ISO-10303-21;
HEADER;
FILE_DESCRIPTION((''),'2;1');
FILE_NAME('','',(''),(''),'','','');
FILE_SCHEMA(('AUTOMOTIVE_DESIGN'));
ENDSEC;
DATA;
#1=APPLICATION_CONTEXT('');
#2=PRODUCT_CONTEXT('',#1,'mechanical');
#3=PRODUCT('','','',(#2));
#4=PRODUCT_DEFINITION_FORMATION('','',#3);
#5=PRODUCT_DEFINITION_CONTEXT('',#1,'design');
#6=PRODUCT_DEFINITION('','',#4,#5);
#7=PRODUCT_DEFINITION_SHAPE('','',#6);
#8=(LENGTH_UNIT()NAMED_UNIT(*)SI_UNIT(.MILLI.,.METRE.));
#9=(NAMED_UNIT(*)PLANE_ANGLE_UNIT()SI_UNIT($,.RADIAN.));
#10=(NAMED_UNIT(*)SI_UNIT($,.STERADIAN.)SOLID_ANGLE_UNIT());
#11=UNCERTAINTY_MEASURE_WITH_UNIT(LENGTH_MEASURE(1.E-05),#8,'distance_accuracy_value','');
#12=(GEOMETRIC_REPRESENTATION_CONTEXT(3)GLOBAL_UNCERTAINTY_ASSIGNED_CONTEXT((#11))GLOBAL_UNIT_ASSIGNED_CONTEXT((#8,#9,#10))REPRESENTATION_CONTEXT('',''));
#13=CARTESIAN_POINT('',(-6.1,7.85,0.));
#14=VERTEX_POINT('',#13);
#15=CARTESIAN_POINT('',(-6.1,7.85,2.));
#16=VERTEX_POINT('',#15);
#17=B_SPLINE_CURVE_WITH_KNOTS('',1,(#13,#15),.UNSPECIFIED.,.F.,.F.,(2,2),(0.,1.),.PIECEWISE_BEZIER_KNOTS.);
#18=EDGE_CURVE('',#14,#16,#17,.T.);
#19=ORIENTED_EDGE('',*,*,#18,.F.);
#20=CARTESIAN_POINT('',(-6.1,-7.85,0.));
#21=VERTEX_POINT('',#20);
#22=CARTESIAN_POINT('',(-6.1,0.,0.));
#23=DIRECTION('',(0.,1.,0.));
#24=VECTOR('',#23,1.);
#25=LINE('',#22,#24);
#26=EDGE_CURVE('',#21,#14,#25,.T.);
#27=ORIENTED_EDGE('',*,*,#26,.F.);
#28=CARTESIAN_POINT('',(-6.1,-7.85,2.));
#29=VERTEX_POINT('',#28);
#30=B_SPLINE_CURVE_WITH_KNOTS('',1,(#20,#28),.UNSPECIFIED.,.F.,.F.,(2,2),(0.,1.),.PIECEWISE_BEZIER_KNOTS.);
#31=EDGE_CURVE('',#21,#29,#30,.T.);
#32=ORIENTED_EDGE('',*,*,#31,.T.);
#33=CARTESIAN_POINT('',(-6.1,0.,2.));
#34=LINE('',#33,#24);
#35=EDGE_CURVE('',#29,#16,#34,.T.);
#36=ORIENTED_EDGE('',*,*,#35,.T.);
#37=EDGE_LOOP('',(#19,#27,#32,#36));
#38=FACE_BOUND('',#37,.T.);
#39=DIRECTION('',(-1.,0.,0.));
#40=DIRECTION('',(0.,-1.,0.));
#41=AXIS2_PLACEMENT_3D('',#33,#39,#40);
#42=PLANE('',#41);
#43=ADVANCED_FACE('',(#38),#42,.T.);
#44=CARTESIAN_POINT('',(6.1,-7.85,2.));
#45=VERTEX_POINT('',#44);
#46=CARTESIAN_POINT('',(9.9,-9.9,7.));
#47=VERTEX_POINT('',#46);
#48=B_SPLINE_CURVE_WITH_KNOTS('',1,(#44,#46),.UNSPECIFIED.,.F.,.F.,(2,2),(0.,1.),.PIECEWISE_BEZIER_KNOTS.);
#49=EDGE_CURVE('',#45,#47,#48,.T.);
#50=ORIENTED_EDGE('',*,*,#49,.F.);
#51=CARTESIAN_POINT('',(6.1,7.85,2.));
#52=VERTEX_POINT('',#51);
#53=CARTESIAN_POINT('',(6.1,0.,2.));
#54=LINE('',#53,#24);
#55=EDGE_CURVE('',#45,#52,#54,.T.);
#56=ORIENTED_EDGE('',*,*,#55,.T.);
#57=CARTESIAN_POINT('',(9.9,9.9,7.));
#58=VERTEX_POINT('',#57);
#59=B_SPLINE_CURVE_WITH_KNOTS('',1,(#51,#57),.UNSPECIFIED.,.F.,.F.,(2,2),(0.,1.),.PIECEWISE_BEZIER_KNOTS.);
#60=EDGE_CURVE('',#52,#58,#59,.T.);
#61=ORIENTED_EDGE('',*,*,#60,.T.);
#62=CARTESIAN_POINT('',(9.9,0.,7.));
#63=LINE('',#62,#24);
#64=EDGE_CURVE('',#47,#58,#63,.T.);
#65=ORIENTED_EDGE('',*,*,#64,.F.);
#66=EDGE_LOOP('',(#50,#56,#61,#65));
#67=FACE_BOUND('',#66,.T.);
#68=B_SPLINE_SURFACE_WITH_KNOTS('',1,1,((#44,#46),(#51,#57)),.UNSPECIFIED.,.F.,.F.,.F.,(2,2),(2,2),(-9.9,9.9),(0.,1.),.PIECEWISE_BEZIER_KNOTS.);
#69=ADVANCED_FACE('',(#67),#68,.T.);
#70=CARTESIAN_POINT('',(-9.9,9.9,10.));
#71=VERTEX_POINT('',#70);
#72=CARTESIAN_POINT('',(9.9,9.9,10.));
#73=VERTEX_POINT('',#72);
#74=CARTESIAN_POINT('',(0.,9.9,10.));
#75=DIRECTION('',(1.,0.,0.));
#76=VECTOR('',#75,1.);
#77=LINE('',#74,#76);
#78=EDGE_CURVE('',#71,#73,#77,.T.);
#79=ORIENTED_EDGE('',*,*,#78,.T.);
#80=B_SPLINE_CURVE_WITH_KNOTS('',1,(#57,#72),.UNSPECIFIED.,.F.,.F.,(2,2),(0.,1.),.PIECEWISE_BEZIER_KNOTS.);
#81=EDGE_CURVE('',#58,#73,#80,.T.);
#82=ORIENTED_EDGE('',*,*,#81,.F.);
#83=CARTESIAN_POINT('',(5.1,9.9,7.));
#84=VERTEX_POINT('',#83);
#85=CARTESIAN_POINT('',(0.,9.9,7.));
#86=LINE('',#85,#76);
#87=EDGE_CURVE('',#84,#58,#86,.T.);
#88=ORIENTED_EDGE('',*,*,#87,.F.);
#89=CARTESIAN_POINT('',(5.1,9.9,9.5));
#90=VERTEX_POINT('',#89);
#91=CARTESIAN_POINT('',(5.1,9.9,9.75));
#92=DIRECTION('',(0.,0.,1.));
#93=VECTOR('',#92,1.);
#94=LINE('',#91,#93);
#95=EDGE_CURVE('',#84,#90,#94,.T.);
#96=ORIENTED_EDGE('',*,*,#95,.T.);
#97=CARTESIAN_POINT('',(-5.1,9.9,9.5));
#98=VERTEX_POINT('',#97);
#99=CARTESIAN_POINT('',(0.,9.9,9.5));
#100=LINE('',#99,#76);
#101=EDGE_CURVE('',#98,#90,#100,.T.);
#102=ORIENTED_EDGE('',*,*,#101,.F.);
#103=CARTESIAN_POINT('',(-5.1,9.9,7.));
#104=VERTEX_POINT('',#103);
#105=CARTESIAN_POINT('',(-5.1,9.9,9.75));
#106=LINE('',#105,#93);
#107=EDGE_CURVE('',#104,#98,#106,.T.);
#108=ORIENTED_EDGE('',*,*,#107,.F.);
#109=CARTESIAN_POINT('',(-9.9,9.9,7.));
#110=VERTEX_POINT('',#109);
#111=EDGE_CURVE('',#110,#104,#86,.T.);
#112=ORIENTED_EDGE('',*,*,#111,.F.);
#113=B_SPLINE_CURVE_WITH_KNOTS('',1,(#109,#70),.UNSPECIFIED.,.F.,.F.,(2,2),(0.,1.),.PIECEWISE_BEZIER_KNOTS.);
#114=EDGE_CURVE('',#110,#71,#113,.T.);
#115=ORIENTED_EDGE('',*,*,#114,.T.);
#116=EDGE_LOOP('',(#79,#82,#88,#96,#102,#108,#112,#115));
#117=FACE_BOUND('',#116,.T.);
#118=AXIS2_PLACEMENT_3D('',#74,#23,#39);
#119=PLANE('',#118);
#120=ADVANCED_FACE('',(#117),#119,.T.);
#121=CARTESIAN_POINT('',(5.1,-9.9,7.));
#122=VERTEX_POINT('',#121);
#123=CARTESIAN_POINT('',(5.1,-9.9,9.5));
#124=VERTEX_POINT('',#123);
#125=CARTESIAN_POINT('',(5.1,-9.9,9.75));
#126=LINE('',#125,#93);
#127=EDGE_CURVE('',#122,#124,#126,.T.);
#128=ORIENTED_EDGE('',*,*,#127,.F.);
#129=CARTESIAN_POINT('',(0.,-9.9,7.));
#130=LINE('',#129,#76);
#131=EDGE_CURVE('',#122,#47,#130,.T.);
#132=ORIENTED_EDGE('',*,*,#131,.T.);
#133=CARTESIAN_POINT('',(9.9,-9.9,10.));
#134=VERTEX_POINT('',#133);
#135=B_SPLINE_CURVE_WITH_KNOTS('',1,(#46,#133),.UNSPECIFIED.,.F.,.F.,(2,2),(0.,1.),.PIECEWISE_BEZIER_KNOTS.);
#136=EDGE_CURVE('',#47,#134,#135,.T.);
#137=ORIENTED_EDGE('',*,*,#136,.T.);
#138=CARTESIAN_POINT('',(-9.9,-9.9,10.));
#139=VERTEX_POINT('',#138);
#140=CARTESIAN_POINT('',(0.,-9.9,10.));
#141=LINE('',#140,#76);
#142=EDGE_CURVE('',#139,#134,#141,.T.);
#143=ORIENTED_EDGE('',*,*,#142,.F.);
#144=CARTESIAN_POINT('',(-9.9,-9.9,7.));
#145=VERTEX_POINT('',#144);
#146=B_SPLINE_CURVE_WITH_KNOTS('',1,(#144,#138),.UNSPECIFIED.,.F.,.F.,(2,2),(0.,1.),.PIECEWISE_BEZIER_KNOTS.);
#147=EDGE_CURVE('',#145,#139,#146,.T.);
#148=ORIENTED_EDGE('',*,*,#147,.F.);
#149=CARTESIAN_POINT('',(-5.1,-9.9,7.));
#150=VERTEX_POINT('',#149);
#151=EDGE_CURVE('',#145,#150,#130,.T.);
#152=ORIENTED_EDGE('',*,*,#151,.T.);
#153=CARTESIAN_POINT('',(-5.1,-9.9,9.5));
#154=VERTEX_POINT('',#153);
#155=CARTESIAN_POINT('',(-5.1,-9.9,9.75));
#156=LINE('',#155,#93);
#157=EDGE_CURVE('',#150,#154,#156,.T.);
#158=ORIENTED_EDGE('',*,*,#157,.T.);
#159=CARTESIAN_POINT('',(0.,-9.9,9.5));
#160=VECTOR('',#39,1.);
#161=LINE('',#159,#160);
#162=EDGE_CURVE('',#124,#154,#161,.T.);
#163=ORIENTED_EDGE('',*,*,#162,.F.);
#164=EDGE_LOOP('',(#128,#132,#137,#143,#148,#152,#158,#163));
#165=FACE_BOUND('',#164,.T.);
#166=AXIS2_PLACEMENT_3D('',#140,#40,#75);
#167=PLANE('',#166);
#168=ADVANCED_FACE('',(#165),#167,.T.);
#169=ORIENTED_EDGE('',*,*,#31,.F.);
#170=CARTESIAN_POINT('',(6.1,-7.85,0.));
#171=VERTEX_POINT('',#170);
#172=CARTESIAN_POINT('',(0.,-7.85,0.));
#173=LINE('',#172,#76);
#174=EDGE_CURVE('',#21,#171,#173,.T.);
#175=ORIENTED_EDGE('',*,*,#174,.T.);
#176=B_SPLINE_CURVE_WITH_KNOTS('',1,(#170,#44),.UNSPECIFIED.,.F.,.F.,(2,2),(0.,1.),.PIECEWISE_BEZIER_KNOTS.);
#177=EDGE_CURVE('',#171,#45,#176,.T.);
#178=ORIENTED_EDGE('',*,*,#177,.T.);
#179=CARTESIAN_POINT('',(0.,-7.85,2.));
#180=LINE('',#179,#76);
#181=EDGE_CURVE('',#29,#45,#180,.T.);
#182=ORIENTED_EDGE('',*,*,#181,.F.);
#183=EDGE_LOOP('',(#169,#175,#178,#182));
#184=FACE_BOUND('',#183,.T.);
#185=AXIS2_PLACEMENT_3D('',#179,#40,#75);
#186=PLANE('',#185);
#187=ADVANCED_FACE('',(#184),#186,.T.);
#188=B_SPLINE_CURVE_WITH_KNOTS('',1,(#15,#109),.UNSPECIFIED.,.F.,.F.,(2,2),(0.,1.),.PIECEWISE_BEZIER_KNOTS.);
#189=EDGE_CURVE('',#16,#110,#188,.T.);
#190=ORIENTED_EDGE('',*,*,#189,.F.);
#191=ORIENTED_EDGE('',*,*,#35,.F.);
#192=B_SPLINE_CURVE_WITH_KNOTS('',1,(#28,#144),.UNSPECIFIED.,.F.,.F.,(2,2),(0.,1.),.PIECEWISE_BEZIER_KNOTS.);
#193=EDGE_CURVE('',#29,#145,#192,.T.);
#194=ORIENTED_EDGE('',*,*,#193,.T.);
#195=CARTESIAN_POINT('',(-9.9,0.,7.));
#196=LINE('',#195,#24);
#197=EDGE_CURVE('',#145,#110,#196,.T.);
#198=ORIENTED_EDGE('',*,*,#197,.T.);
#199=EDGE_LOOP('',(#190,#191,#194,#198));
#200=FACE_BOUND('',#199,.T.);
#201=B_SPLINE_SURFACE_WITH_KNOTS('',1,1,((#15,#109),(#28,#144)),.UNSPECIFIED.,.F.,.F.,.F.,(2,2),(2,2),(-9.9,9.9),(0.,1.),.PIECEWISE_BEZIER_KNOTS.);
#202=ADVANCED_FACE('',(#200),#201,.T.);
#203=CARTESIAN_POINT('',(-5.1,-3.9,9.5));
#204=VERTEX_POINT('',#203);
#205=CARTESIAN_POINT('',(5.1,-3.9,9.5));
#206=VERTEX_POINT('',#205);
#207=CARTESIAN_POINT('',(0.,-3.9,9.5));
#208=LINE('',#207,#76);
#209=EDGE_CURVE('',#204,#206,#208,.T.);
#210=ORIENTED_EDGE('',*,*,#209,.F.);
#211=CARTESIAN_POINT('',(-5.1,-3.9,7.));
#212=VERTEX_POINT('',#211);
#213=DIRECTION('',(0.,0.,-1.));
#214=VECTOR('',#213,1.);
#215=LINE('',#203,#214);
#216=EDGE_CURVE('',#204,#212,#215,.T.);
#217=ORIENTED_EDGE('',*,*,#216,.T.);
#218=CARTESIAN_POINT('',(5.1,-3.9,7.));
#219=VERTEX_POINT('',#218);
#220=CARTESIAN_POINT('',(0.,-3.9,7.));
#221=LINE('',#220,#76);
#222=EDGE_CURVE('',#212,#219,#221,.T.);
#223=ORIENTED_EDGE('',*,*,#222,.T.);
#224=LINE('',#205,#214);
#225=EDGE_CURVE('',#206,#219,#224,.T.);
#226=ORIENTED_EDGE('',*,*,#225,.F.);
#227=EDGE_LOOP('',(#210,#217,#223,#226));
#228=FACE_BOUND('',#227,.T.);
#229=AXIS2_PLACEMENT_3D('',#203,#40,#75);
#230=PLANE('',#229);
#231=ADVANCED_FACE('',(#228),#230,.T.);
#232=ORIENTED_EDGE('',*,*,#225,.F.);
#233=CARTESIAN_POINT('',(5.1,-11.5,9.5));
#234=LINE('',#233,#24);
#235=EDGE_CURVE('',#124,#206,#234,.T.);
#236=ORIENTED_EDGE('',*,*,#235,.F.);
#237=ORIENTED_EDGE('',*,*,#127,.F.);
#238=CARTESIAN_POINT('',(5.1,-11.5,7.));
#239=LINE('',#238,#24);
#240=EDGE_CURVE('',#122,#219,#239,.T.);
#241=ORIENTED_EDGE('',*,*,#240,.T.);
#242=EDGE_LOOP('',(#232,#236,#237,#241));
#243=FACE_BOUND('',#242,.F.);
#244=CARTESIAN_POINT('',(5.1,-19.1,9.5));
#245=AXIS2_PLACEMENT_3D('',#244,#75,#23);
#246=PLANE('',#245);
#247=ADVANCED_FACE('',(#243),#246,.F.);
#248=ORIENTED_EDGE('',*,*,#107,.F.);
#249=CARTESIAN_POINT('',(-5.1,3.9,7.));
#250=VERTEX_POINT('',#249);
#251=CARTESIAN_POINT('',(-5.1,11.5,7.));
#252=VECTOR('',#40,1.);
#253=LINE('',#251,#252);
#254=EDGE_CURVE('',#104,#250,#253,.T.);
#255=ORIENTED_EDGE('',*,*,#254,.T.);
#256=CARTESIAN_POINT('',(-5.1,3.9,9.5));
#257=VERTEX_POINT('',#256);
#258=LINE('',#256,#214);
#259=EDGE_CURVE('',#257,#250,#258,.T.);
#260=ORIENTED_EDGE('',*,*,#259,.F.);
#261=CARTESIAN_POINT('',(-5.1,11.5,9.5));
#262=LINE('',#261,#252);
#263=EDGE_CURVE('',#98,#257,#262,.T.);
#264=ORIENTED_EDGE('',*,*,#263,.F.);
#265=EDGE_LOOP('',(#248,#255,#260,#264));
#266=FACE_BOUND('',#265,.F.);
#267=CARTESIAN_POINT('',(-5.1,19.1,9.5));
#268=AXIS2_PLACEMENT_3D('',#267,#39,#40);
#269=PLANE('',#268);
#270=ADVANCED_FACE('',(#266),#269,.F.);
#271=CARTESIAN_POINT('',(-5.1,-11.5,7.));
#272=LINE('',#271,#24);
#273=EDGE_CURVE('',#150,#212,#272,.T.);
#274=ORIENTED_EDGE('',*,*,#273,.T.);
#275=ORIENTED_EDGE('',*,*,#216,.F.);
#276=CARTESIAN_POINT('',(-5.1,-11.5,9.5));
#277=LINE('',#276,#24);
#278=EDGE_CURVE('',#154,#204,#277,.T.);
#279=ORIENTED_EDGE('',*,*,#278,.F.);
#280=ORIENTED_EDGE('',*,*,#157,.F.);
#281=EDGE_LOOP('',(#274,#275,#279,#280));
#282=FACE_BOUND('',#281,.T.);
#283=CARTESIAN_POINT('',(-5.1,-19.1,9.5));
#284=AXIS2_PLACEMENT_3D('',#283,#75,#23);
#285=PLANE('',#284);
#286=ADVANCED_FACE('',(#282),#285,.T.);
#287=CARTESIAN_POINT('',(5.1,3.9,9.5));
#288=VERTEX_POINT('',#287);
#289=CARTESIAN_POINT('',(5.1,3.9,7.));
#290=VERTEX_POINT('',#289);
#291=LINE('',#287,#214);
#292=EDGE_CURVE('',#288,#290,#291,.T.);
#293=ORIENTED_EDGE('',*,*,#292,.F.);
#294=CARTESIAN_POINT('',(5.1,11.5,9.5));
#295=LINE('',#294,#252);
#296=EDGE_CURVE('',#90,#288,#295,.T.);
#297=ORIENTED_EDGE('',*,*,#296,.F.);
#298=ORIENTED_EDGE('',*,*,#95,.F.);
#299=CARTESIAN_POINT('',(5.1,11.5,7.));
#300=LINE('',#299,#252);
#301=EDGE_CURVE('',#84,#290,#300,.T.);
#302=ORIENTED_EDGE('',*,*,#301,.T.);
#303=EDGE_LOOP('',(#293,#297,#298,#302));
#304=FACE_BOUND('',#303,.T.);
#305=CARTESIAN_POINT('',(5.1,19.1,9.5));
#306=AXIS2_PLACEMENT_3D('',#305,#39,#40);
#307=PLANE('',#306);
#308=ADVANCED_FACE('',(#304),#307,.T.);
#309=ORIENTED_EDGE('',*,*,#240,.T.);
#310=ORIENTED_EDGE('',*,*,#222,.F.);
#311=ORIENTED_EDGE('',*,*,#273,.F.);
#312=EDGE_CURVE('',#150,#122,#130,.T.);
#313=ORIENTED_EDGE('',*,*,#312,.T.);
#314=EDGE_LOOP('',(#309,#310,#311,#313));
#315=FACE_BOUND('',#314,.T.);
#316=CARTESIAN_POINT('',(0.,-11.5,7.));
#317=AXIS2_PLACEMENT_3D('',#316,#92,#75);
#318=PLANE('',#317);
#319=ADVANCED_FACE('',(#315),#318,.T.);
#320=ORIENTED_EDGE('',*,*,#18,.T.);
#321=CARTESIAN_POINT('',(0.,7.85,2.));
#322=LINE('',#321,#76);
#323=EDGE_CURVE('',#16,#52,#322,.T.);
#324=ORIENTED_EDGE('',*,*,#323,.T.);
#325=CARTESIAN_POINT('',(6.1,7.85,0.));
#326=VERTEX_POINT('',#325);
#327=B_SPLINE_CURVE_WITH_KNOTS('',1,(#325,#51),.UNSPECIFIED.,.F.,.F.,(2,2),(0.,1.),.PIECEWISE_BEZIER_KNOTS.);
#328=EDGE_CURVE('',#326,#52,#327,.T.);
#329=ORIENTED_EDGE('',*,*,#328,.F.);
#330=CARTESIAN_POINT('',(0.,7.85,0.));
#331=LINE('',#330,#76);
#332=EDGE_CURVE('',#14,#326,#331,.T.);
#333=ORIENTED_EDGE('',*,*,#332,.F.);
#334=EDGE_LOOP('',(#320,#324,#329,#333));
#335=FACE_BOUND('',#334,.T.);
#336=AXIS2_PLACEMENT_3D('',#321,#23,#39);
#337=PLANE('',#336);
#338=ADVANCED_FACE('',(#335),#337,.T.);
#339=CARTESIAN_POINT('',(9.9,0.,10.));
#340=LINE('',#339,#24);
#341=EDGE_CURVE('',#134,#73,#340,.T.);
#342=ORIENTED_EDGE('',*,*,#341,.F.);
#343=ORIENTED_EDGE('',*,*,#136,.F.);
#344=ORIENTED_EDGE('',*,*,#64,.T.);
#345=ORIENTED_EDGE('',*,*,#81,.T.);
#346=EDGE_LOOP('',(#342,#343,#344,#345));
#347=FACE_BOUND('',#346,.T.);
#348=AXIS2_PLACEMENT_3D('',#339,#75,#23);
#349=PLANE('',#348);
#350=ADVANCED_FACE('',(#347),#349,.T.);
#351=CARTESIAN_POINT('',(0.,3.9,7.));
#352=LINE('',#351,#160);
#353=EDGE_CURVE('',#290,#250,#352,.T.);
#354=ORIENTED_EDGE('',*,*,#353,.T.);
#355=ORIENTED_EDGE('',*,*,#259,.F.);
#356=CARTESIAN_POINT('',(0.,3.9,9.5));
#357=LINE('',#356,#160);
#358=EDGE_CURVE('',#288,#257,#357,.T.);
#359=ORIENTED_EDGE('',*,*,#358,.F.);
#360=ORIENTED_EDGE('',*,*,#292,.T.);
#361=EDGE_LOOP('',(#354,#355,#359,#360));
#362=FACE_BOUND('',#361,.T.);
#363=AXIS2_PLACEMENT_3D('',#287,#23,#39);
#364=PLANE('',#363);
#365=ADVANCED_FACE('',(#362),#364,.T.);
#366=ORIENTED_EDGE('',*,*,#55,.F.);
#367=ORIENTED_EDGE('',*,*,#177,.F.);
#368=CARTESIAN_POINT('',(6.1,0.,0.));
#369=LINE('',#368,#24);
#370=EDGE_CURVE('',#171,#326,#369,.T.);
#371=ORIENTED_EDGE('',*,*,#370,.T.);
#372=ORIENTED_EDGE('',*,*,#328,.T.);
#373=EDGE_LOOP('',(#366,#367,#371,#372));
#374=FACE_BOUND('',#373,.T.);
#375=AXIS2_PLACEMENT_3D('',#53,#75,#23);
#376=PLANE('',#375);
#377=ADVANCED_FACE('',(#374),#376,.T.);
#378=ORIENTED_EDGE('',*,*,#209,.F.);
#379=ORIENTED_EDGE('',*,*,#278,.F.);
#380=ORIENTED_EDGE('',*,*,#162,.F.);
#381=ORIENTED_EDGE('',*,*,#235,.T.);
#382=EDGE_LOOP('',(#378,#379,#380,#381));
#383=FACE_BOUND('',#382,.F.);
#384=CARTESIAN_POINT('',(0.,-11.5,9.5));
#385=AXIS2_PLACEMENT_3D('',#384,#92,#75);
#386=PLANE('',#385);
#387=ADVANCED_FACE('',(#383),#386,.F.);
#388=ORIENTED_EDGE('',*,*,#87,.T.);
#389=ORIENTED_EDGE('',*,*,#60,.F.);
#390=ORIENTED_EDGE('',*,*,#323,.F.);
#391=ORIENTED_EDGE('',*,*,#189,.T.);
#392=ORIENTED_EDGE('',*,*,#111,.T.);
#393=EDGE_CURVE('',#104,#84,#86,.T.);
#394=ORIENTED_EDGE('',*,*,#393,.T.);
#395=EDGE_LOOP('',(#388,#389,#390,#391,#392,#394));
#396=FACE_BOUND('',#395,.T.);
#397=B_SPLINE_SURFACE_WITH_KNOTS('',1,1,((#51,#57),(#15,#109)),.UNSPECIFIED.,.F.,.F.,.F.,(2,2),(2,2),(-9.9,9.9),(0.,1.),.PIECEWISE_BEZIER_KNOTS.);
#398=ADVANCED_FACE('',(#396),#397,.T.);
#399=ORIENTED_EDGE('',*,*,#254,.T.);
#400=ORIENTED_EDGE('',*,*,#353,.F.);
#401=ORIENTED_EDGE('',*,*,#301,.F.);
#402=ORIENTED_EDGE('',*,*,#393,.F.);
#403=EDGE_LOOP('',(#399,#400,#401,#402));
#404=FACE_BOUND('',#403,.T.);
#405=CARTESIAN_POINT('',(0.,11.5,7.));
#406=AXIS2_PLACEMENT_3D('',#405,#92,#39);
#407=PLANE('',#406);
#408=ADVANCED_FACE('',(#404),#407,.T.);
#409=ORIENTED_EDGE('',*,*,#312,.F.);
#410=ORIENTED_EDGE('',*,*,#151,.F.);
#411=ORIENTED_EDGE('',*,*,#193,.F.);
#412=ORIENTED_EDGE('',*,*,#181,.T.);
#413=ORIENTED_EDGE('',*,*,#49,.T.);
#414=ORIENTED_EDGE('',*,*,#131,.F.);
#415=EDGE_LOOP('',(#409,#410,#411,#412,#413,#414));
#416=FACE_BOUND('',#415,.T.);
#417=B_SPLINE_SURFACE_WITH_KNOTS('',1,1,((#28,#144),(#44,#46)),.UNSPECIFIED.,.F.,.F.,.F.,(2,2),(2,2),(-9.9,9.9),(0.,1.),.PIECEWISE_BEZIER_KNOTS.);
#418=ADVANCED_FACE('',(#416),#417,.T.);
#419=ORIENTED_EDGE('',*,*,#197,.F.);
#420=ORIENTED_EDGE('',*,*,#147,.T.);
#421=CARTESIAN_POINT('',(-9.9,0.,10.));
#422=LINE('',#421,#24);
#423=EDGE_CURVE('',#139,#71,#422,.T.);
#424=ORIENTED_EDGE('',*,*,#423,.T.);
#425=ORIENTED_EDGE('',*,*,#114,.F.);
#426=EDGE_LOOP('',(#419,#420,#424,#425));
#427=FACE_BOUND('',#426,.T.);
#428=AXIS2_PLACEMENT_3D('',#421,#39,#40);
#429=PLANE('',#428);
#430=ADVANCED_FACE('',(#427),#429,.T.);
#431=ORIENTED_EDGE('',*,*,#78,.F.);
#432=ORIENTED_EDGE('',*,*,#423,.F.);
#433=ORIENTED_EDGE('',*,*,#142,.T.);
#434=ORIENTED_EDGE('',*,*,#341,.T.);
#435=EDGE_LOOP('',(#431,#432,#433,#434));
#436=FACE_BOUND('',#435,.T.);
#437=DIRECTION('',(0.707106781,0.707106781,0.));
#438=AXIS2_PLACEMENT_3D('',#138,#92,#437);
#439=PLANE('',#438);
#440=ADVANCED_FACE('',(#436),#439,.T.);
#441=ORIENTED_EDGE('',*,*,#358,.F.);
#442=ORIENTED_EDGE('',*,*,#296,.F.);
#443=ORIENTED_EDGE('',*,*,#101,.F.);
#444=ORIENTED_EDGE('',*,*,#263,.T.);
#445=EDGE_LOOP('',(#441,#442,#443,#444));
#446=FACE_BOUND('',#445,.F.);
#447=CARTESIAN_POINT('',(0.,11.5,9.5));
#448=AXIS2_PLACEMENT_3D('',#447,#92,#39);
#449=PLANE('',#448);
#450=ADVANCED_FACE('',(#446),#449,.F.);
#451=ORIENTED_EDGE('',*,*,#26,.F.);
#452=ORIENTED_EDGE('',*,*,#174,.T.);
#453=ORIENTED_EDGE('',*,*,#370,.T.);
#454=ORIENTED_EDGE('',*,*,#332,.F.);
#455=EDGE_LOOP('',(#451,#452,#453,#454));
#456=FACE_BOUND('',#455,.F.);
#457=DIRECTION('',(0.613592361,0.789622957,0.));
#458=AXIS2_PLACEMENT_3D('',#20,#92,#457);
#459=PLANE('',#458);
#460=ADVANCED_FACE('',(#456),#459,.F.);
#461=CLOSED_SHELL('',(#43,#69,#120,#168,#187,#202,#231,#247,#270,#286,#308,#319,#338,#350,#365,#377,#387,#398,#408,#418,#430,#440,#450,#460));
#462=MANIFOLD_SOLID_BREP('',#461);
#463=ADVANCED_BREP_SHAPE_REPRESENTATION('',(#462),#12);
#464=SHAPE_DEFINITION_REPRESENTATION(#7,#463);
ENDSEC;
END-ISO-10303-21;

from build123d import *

# Parameters (mm, degrees)
SKETCH030_W           = 12.2
SKETCH030_H           = 15.7
SKETCH031_W           = 12.2
SKETCH031_H           = 15.7
SKETCH032_W           = 19.8
SKETCH032_H           = 19.8
SKETCH033_W           = 19.8
SKETCH033_H           = 19.8
SKETCH034_W           = 10.2
SKETCH034_H           = 15.2
POCKET018_DEPTH       = 2.5
POLARPATTERN003_COUNT = 2


with BuildPart() as part:
    # Sketch030 → AdditiveLoft section 0
    with BuildSketch(Plane.XY):
        Rectangle(SKETCH030_W, SKETCH030_H)
    # Sketch031 → AdditiveLoft section 1
    with BuildSketch(Plane.XY.offset(2)):
        Rectangle(SKETCH031_W, SKETCH031_H)
    # Sketch032 → AdditiveLoft section 2
    with BuildSketch(Plane.XY.offset(7)):
        Rectangle(SKETCH032_W, SKETCH032_H)
    # Sketch033 → AdditiveLoft section 3
    with BuildSketch(Plane.XY.offset(10)):
        Rectangle(SKETCH033_W, SKETCH033_H)
    loft(ruled=True)

    # Sketch034 → Pocket018 (cut)
    with BuildSketch(Plane.XY.offset(9.5)):
        with Locations((0, -11.5)):
            Rectangle(SKETCH034_W, SKETCH034_H)
    pocket018 = extrude(amount=-POCKET018_DEPTH, mode=Mode.SUBTRACT)

    # PolarPattern003: Pocket018 ×2 about axis
    polarpattern003_axis = Axis((0, 0, 9.5), (0, 0, 1))
    for i in range(1, POLARPATTERN003_COUNT):
        add(pocket018.rotate(polarpattern003_axis, i * 360 / POLARPATTERN003_COUNT), mode=Mode.SUBTRACT)


solid = part.part
